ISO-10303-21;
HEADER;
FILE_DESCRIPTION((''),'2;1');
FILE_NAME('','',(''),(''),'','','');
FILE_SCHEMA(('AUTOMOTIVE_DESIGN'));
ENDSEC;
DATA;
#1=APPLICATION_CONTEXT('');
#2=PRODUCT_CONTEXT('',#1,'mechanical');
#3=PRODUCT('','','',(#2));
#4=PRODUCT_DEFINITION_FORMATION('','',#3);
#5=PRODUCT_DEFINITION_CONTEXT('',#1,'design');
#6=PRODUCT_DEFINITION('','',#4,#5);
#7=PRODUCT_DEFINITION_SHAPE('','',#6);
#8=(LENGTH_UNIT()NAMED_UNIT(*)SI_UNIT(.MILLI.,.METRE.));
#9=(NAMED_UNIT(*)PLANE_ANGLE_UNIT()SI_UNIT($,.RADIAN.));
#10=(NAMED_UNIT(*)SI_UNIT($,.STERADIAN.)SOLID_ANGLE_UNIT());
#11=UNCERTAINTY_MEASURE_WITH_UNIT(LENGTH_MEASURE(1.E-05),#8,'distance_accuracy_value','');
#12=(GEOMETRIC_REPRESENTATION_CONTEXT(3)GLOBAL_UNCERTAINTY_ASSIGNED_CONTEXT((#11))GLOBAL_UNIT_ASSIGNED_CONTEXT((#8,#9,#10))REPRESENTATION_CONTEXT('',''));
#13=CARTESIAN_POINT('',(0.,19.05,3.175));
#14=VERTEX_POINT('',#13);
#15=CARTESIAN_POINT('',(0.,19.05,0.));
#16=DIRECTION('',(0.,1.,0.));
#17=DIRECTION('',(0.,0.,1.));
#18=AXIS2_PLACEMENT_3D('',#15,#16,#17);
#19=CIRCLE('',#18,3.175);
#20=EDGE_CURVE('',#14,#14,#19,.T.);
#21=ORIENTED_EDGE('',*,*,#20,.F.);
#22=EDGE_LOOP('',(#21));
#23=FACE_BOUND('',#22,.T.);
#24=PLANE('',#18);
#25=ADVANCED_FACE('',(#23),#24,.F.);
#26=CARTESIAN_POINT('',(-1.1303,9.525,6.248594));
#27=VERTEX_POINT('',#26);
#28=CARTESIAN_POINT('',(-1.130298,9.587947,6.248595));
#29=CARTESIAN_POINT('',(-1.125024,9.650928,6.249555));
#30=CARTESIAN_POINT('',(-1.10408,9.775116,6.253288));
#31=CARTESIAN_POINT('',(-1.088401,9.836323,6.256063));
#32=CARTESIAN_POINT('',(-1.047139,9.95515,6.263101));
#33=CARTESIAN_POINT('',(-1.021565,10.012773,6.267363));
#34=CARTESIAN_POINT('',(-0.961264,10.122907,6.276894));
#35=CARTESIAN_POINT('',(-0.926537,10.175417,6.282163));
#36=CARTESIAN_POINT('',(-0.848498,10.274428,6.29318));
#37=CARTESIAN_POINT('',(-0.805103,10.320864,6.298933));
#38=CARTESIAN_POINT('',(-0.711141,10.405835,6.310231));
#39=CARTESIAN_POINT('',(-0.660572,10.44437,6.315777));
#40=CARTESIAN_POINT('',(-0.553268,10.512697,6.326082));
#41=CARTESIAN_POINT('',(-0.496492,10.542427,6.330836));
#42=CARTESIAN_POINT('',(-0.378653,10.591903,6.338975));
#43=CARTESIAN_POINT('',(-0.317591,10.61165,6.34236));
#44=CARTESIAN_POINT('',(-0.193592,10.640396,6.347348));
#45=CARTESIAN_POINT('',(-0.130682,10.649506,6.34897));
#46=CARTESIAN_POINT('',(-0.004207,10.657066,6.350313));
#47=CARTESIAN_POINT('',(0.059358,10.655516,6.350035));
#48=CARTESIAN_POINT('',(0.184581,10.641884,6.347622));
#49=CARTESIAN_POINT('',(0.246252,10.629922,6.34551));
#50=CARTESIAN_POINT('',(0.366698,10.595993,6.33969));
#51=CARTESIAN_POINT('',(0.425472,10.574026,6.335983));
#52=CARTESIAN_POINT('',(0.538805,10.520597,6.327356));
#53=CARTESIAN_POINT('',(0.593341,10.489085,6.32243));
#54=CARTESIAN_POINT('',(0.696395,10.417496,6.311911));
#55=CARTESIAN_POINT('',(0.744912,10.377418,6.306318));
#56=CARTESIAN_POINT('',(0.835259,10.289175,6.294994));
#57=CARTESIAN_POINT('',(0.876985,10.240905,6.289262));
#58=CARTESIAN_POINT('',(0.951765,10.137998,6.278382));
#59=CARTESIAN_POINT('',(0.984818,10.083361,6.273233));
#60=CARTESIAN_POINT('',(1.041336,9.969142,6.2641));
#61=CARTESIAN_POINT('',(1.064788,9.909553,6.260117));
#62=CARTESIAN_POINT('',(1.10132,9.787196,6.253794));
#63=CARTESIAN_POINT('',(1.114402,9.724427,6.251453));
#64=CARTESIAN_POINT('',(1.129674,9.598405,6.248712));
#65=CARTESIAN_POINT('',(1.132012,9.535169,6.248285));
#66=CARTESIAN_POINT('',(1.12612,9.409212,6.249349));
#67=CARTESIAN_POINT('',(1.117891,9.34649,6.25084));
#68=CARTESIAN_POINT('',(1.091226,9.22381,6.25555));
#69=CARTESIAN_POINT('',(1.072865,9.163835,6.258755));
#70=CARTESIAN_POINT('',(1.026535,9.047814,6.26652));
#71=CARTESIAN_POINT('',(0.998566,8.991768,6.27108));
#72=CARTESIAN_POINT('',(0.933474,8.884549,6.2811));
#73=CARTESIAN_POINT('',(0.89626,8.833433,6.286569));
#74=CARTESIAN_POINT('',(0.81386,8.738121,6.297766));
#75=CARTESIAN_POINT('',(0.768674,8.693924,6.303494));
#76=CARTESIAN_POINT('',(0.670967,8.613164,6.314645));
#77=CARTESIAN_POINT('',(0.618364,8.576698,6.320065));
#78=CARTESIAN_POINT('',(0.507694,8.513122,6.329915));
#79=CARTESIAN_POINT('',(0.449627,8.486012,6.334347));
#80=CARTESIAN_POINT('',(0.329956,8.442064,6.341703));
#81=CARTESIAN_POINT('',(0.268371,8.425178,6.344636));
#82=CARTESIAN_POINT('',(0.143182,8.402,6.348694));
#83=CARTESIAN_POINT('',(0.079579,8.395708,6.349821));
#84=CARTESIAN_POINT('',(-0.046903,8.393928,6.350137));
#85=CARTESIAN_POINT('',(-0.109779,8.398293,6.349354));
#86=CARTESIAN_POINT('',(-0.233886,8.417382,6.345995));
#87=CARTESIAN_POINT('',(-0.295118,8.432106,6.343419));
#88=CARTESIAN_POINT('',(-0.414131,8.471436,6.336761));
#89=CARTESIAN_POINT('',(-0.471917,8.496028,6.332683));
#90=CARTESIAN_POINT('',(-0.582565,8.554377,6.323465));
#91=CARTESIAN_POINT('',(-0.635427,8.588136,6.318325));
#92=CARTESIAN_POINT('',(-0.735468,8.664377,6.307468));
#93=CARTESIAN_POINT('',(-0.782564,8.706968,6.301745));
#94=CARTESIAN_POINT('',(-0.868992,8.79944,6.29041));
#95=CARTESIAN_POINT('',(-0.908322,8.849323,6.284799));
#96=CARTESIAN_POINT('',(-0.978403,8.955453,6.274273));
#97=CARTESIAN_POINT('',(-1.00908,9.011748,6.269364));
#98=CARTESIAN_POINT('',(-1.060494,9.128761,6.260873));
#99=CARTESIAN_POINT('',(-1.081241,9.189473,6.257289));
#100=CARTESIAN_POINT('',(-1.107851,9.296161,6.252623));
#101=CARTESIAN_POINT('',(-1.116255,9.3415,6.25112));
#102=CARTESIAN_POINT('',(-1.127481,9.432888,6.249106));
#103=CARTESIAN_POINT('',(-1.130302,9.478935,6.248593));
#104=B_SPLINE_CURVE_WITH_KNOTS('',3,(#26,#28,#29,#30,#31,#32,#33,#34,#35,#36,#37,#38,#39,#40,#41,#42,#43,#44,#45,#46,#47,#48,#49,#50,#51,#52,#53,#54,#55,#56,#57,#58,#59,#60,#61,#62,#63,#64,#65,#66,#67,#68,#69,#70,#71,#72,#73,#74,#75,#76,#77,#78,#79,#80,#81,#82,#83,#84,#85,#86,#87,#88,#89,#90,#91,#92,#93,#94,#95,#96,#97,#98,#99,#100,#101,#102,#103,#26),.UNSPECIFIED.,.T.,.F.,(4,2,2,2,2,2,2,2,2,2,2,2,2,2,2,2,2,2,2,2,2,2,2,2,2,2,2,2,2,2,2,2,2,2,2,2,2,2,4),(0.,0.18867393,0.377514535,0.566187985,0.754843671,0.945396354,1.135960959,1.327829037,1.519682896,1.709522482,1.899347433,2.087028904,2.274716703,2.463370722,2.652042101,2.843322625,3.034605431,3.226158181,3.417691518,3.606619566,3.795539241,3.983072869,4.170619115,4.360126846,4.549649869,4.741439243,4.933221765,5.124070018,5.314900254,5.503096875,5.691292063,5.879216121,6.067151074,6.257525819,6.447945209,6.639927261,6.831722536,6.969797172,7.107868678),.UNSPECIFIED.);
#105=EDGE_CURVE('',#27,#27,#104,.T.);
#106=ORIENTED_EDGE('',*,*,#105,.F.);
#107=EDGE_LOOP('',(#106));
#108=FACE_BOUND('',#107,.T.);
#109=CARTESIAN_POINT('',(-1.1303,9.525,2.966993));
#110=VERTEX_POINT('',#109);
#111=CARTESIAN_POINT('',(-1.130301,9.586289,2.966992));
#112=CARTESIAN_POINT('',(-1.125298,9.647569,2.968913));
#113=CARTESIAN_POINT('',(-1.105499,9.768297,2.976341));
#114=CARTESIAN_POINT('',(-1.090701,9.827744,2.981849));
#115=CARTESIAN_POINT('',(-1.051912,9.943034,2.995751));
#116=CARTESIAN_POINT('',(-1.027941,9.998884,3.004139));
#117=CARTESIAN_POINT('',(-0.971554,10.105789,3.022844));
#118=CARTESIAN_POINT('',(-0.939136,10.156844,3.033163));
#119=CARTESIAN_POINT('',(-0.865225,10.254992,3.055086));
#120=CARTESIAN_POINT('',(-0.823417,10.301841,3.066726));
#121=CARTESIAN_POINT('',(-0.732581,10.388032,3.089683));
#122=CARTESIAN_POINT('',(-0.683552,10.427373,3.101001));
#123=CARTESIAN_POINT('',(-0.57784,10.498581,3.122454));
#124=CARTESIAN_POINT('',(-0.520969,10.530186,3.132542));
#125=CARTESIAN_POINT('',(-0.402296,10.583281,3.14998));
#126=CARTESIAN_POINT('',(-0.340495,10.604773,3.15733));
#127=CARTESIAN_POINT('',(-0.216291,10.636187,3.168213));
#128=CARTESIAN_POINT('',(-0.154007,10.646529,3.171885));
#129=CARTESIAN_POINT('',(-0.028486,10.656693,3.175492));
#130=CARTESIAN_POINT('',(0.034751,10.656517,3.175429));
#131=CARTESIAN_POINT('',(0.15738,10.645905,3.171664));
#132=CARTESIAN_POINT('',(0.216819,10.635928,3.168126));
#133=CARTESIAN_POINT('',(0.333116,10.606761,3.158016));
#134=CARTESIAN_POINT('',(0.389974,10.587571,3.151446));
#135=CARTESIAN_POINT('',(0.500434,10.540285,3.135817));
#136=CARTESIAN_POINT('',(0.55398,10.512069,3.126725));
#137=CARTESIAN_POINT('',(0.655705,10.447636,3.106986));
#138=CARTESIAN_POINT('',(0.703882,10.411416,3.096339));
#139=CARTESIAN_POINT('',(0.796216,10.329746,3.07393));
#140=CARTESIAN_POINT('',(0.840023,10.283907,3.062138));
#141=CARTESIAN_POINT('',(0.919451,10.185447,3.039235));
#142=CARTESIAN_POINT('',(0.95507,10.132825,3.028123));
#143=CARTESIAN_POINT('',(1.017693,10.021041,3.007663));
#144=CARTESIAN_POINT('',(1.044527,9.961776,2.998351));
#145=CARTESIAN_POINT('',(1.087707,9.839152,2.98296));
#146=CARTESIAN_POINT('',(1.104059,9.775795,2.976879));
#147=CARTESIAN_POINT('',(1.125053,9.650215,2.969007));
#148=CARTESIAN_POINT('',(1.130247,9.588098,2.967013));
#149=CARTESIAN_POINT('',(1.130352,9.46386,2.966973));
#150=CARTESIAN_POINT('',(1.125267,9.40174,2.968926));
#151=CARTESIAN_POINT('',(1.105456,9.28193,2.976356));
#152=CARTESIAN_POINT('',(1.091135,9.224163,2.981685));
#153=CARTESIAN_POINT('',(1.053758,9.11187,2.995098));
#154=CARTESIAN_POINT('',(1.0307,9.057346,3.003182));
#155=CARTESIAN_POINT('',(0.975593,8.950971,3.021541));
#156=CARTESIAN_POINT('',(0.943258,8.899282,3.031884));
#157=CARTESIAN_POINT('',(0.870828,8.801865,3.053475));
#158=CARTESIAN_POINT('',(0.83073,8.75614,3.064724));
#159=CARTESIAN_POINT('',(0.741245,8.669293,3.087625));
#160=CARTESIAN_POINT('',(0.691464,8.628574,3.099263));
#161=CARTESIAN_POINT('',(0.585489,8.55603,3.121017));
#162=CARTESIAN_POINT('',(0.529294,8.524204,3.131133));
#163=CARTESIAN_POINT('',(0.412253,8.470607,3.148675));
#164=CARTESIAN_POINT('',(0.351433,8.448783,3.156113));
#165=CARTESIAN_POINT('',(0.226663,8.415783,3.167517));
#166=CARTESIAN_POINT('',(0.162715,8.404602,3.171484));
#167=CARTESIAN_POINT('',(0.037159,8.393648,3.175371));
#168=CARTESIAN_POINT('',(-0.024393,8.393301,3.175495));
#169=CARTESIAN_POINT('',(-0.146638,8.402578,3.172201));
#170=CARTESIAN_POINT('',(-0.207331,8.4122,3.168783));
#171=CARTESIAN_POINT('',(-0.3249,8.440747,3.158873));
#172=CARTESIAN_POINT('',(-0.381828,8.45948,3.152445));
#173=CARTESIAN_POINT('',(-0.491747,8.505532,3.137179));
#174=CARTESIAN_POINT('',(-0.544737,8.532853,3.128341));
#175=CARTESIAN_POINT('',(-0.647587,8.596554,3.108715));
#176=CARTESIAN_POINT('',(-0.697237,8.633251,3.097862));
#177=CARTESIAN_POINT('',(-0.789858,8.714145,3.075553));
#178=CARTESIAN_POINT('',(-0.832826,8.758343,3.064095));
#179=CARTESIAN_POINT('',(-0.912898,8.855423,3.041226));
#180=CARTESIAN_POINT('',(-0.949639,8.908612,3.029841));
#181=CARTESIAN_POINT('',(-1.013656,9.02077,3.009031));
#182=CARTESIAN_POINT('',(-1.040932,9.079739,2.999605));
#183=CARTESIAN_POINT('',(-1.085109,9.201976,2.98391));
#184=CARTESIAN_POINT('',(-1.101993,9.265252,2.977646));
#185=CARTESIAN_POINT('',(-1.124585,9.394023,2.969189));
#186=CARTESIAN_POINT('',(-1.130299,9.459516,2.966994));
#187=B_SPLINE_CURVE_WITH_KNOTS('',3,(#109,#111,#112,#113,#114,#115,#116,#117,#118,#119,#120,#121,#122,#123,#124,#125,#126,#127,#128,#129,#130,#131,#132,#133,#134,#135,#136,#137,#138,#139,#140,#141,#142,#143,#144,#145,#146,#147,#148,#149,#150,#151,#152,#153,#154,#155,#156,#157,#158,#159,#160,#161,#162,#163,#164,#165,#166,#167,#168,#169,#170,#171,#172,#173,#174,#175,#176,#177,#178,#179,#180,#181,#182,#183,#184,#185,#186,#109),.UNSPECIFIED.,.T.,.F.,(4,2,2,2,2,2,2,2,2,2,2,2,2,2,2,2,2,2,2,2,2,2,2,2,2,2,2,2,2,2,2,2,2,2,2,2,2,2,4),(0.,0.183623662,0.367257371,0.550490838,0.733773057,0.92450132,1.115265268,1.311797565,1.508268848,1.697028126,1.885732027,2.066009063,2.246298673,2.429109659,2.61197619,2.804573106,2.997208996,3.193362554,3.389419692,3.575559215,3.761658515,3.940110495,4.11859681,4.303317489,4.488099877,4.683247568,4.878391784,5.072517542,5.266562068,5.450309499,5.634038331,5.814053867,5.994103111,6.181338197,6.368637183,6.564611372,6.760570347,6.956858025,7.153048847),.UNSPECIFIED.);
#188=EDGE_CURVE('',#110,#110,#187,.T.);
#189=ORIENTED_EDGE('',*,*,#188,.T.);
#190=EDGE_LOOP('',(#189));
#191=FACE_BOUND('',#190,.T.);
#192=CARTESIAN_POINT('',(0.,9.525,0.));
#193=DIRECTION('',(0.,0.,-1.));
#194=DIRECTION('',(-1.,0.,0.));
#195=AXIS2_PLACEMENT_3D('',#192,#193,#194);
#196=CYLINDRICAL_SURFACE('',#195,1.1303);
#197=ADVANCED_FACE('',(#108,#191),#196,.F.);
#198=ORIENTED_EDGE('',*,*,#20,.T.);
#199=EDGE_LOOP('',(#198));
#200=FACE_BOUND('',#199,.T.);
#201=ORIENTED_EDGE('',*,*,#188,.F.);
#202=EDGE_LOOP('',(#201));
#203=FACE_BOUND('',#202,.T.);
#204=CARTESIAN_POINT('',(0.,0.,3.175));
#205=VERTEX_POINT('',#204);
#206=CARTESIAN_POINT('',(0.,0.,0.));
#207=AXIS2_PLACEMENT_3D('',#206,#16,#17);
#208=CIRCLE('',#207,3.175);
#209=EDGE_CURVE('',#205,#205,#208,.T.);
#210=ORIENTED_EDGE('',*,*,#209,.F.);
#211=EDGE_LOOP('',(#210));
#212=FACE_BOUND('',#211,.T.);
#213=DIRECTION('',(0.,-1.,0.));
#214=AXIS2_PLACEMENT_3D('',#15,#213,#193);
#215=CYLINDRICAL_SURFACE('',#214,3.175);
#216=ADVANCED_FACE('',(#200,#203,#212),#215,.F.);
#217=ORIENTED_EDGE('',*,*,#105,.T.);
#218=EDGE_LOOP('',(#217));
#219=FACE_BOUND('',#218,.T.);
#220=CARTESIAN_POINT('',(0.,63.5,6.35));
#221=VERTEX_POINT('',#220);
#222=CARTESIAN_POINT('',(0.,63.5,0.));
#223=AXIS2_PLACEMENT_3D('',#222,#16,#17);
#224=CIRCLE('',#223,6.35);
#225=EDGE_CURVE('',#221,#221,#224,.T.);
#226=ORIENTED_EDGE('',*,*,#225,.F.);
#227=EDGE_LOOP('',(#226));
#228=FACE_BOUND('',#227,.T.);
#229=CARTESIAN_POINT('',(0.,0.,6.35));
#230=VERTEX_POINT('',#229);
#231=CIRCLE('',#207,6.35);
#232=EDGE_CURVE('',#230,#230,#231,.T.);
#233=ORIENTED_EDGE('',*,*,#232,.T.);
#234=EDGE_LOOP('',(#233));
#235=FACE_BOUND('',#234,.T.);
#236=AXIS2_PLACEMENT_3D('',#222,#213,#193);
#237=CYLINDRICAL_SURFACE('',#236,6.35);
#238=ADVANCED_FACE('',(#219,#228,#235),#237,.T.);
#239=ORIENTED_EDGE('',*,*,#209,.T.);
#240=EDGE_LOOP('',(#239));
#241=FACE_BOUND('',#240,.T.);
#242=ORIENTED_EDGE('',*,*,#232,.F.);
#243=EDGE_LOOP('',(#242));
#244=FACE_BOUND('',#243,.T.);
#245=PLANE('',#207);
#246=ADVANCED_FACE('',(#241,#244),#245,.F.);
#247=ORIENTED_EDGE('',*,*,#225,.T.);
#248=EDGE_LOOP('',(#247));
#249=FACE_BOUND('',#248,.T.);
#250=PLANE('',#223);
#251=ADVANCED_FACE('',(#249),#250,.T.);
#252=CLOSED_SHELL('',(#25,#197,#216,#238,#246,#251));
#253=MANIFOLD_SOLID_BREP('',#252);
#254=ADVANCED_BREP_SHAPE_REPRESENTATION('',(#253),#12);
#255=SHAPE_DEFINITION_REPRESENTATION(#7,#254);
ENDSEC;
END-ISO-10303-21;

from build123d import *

# Parameters (mm, degrees)
SKETCH1_R           = 6.35
BOSS_EXTRUDE1_DEPTH = 63.5
SKETCH2_R           = 3.175
CUT_EXTRUDE1_DEPTH  = 19.05
SKETCH5_W           = 1.1303
SKETCH5_H           = 6.35


with BuildPart() as part:
    # Sketch1 → Boss-Extrude1 (new body)
    with BuildSketch(Plane(origin=(0, 0, 0), x_dir=(1, 0, 0), z_dir=(0, 1, 0))):
        with Locations(Location((0, 0, 0), (0, 0, 270))):
            Circle(SKETCH1_R)
    extrude(amount=BOSS_EXTRUDE1_DEPTH)

    # Sketch2 → Cut-Extrude1 (cut)
    with BuildSketch(Plane(origin=(0, 0, 0), x_dir=(1, 0, 0), z_dir=(0, 1, 0))):
        with Locations(Location((0, 0, 0), (0, 0, 90))):
            Circle(SKETCH2_R)
    extrude(amount=CUT_EXTRUDE1_DEPTH, mode=Mode.SUBTRACT)

    # Sketch5 → #43 (0.089) Diameter Hole1 (revolve, cut)
    with BuildSketch(Plane(origin=(0, 9.525, 0), x_dir=(0, 1, 0), z_dir=(1, 0, 0))):
        with Locations((0.56515, 3.175)):
            Rectangle(SKETCH5_W, SKETCH5_H)
    revolve(axis=Axis((0, 9.525, -6.35), (0, 0, 1)), mode=Mode.SUBTRACT)


solid = part.part
